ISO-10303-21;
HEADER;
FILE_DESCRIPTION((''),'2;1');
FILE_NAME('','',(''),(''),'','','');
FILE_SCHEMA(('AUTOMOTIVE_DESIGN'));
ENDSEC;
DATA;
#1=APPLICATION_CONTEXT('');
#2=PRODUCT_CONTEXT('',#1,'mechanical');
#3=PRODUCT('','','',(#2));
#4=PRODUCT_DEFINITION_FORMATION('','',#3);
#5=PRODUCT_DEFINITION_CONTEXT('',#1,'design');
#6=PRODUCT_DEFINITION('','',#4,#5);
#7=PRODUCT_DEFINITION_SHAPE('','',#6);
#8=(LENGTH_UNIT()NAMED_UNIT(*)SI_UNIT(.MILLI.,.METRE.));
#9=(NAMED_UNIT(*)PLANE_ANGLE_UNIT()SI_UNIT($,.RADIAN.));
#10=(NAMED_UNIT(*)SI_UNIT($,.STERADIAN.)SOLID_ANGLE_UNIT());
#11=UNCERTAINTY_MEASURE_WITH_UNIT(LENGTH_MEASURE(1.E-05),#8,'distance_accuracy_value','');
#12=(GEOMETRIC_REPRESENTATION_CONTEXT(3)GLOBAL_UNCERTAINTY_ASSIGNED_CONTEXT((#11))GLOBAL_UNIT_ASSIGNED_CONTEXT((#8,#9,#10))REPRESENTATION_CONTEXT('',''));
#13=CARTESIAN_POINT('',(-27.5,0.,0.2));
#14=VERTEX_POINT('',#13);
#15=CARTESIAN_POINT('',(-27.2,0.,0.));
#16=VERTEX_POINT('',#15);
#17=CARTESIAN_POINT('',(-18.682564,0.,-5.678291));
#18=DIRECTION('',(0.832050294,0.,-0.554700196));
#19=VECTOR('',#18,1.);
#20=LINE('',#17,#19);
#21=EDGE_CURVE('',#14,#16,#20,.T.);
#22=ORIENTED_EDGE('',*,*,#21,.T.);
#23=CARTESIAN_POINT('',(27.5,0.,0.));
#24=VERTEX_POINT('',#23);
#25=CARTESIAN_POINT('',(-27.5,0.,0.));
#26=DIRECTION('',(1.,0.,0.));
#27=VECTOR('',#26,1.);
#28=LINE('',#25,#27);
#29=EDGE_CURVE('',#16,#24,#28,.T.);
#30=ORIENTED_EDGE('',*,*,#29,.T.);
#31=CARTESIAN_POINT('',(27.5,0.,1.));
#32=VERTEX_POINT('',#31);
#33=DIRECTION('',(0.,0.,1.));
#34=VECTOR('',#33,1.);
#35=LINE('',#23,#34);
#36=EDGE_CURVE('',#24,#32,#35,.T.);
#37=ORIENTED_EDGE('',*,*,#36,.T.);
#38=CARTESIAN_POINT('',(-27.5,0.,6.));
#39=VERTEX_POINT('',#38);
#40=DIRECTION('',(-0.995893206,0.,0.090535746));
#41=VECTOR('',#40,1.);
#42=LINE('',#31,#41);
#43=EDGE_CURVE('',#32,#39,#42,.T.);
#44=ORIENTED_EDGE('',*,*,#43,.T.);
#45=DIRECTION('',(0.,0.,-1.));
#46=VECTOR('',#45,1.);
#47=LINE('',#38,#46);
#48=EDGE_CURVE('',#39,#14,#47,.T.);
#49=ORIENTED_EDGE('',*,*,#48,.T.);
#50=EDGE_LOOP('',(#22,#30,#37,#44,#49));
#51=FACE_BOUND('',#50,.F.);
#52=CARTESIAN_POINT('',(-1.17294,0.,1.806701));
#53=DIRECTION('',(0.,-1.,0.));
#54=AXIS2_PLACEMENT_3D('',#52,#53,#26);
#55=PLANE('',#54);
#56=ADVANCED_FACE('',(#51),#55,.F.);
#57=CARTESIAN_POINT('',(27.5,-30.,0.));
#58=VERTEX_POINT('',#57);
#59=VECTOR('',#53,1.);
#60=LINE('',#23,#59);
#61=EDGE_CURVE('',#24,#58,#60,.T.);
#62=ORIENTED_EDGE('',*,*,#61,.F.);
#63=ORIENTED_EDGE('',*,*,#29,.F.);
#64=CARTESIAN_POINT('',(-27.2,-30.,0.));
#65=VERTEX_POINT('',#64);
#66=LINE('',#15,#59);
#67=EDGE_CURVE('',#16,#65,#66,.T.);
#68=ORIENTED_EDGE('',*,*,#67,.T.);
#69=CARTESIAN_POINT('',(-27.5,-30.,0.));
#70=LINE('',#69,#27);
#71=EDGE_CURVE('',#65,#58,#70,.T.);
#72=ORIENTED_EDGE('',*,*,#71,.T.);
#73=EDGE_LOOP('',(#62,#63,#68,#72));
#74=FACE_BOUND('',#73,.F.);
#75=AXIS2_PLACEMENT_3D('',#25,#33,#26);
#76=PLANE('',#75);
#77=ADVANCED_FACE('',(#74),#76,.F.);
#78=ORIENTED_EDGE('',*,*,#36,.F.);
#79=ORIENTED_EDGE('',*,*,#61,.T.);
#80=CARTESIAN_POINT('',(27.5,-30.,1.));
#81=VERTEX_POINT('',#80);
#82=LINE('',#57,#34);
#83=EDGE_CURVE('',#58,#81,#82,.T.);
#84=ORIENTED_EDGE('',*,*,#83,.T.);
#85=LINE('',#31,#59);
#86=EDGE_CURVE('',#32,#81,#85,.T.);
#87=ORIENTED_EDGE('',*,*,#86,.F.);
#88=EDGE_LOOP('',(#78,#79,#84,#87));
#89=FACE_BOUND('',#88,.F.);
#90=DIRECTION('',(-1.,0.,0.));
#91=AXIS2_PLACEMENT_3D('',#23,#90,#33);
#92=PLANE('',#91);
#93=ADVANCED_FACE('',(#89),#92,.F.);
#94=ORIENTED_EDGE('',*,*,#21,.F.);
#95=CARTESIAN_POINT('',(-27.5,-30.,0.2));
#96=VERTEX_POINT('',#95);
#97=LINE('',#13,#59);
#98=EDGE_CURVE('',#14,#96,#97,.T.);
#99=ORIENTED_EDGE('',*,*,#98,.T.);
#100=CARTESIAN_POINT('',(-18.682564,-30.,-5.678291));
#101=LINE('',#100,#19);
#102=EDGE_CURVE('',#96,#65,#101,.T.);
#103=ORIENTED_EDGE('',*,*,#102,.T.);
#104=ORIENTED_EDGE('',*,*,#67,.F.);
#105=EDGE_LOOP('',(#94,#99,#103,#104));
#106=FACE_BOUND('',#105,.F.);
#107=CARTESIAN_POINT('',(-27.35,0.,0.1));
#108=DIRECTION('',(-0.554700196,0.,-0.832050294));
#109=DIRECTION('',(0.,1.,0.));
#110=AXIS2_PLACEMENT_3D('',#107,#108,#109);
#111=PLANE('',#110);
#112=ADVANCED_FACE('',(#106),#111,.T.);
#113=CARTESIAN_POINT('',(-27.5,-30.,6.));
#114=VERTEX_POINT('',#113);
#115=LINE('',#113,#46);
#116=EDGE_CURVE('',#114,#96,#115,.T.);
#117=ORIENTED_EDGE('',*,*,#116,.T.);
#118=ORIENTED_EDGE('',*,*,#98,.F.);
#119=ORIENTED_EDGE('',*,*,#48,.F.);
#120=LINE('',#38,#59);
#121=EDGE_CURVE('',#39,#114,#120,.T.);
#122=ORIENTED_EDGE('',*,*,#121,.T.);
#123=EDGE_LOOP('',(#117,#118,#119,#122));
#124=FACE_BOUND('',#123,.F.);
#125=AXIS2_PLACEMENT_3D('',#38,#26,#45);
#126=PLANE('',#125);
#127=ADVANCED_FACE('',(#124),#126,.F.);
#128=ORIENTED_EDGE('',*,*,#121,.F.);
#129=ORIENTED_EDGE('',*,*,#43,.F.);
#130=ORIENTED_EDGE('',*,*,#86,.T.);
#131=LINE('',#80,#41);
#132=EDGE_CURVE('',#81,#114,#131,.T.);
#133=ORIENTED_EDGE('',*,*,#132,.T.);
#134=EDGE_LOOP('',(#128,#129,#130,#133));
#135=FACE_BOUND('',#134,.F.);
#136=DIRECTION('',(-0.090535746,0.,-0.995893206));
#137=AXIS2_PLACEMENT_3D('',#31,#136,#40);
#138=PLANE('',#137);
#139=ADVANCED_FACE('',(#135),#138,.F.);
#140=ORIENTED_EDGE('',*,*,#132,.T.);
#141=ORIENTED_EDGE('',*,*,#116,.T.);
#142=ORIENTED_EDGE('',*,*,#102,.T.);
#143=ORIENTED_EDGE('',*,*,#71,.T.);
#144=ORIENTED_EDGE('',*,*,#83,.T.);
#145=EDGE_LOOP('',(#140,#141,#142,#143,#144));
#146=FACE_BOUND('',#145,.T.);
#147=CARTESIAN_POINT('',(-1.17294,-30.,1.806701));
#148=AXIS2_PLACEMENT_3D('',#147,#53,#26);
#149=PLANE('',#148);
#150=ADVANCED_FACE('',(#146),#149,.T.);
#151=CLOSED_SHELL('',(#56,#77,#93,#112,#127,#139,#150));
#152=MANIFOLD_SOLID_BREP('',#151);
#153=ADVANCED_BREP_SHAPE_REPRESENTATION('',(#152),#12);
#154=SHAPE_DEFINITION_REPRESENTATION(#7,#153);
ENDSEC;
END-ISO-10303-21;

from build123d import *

# Parameters (mm, degrees)
F1_DEPTH = 30
F2_SIZE2 = 0.3
F2_SIZE  = 0.2


with BuildPart() as f1:
    # F0 (on Front) → F1 (new body)
    with BuildSketch(Plane.XZ):
        Polygon((-27.5, 6), (-27.5, 0), (27.5, 0), (27.5, 1), align=None)
    extrude(amount=F1_DEPTH)

    # F2
    f2_edges = [f1.edges().sort_by_distance(p)[0] for p in [
        (-27.5, -15, 0),
    ]]
    chamfer(f2_edges, length=F2_SIZE, length2=F2_SIZE2)


solid = f1.part
